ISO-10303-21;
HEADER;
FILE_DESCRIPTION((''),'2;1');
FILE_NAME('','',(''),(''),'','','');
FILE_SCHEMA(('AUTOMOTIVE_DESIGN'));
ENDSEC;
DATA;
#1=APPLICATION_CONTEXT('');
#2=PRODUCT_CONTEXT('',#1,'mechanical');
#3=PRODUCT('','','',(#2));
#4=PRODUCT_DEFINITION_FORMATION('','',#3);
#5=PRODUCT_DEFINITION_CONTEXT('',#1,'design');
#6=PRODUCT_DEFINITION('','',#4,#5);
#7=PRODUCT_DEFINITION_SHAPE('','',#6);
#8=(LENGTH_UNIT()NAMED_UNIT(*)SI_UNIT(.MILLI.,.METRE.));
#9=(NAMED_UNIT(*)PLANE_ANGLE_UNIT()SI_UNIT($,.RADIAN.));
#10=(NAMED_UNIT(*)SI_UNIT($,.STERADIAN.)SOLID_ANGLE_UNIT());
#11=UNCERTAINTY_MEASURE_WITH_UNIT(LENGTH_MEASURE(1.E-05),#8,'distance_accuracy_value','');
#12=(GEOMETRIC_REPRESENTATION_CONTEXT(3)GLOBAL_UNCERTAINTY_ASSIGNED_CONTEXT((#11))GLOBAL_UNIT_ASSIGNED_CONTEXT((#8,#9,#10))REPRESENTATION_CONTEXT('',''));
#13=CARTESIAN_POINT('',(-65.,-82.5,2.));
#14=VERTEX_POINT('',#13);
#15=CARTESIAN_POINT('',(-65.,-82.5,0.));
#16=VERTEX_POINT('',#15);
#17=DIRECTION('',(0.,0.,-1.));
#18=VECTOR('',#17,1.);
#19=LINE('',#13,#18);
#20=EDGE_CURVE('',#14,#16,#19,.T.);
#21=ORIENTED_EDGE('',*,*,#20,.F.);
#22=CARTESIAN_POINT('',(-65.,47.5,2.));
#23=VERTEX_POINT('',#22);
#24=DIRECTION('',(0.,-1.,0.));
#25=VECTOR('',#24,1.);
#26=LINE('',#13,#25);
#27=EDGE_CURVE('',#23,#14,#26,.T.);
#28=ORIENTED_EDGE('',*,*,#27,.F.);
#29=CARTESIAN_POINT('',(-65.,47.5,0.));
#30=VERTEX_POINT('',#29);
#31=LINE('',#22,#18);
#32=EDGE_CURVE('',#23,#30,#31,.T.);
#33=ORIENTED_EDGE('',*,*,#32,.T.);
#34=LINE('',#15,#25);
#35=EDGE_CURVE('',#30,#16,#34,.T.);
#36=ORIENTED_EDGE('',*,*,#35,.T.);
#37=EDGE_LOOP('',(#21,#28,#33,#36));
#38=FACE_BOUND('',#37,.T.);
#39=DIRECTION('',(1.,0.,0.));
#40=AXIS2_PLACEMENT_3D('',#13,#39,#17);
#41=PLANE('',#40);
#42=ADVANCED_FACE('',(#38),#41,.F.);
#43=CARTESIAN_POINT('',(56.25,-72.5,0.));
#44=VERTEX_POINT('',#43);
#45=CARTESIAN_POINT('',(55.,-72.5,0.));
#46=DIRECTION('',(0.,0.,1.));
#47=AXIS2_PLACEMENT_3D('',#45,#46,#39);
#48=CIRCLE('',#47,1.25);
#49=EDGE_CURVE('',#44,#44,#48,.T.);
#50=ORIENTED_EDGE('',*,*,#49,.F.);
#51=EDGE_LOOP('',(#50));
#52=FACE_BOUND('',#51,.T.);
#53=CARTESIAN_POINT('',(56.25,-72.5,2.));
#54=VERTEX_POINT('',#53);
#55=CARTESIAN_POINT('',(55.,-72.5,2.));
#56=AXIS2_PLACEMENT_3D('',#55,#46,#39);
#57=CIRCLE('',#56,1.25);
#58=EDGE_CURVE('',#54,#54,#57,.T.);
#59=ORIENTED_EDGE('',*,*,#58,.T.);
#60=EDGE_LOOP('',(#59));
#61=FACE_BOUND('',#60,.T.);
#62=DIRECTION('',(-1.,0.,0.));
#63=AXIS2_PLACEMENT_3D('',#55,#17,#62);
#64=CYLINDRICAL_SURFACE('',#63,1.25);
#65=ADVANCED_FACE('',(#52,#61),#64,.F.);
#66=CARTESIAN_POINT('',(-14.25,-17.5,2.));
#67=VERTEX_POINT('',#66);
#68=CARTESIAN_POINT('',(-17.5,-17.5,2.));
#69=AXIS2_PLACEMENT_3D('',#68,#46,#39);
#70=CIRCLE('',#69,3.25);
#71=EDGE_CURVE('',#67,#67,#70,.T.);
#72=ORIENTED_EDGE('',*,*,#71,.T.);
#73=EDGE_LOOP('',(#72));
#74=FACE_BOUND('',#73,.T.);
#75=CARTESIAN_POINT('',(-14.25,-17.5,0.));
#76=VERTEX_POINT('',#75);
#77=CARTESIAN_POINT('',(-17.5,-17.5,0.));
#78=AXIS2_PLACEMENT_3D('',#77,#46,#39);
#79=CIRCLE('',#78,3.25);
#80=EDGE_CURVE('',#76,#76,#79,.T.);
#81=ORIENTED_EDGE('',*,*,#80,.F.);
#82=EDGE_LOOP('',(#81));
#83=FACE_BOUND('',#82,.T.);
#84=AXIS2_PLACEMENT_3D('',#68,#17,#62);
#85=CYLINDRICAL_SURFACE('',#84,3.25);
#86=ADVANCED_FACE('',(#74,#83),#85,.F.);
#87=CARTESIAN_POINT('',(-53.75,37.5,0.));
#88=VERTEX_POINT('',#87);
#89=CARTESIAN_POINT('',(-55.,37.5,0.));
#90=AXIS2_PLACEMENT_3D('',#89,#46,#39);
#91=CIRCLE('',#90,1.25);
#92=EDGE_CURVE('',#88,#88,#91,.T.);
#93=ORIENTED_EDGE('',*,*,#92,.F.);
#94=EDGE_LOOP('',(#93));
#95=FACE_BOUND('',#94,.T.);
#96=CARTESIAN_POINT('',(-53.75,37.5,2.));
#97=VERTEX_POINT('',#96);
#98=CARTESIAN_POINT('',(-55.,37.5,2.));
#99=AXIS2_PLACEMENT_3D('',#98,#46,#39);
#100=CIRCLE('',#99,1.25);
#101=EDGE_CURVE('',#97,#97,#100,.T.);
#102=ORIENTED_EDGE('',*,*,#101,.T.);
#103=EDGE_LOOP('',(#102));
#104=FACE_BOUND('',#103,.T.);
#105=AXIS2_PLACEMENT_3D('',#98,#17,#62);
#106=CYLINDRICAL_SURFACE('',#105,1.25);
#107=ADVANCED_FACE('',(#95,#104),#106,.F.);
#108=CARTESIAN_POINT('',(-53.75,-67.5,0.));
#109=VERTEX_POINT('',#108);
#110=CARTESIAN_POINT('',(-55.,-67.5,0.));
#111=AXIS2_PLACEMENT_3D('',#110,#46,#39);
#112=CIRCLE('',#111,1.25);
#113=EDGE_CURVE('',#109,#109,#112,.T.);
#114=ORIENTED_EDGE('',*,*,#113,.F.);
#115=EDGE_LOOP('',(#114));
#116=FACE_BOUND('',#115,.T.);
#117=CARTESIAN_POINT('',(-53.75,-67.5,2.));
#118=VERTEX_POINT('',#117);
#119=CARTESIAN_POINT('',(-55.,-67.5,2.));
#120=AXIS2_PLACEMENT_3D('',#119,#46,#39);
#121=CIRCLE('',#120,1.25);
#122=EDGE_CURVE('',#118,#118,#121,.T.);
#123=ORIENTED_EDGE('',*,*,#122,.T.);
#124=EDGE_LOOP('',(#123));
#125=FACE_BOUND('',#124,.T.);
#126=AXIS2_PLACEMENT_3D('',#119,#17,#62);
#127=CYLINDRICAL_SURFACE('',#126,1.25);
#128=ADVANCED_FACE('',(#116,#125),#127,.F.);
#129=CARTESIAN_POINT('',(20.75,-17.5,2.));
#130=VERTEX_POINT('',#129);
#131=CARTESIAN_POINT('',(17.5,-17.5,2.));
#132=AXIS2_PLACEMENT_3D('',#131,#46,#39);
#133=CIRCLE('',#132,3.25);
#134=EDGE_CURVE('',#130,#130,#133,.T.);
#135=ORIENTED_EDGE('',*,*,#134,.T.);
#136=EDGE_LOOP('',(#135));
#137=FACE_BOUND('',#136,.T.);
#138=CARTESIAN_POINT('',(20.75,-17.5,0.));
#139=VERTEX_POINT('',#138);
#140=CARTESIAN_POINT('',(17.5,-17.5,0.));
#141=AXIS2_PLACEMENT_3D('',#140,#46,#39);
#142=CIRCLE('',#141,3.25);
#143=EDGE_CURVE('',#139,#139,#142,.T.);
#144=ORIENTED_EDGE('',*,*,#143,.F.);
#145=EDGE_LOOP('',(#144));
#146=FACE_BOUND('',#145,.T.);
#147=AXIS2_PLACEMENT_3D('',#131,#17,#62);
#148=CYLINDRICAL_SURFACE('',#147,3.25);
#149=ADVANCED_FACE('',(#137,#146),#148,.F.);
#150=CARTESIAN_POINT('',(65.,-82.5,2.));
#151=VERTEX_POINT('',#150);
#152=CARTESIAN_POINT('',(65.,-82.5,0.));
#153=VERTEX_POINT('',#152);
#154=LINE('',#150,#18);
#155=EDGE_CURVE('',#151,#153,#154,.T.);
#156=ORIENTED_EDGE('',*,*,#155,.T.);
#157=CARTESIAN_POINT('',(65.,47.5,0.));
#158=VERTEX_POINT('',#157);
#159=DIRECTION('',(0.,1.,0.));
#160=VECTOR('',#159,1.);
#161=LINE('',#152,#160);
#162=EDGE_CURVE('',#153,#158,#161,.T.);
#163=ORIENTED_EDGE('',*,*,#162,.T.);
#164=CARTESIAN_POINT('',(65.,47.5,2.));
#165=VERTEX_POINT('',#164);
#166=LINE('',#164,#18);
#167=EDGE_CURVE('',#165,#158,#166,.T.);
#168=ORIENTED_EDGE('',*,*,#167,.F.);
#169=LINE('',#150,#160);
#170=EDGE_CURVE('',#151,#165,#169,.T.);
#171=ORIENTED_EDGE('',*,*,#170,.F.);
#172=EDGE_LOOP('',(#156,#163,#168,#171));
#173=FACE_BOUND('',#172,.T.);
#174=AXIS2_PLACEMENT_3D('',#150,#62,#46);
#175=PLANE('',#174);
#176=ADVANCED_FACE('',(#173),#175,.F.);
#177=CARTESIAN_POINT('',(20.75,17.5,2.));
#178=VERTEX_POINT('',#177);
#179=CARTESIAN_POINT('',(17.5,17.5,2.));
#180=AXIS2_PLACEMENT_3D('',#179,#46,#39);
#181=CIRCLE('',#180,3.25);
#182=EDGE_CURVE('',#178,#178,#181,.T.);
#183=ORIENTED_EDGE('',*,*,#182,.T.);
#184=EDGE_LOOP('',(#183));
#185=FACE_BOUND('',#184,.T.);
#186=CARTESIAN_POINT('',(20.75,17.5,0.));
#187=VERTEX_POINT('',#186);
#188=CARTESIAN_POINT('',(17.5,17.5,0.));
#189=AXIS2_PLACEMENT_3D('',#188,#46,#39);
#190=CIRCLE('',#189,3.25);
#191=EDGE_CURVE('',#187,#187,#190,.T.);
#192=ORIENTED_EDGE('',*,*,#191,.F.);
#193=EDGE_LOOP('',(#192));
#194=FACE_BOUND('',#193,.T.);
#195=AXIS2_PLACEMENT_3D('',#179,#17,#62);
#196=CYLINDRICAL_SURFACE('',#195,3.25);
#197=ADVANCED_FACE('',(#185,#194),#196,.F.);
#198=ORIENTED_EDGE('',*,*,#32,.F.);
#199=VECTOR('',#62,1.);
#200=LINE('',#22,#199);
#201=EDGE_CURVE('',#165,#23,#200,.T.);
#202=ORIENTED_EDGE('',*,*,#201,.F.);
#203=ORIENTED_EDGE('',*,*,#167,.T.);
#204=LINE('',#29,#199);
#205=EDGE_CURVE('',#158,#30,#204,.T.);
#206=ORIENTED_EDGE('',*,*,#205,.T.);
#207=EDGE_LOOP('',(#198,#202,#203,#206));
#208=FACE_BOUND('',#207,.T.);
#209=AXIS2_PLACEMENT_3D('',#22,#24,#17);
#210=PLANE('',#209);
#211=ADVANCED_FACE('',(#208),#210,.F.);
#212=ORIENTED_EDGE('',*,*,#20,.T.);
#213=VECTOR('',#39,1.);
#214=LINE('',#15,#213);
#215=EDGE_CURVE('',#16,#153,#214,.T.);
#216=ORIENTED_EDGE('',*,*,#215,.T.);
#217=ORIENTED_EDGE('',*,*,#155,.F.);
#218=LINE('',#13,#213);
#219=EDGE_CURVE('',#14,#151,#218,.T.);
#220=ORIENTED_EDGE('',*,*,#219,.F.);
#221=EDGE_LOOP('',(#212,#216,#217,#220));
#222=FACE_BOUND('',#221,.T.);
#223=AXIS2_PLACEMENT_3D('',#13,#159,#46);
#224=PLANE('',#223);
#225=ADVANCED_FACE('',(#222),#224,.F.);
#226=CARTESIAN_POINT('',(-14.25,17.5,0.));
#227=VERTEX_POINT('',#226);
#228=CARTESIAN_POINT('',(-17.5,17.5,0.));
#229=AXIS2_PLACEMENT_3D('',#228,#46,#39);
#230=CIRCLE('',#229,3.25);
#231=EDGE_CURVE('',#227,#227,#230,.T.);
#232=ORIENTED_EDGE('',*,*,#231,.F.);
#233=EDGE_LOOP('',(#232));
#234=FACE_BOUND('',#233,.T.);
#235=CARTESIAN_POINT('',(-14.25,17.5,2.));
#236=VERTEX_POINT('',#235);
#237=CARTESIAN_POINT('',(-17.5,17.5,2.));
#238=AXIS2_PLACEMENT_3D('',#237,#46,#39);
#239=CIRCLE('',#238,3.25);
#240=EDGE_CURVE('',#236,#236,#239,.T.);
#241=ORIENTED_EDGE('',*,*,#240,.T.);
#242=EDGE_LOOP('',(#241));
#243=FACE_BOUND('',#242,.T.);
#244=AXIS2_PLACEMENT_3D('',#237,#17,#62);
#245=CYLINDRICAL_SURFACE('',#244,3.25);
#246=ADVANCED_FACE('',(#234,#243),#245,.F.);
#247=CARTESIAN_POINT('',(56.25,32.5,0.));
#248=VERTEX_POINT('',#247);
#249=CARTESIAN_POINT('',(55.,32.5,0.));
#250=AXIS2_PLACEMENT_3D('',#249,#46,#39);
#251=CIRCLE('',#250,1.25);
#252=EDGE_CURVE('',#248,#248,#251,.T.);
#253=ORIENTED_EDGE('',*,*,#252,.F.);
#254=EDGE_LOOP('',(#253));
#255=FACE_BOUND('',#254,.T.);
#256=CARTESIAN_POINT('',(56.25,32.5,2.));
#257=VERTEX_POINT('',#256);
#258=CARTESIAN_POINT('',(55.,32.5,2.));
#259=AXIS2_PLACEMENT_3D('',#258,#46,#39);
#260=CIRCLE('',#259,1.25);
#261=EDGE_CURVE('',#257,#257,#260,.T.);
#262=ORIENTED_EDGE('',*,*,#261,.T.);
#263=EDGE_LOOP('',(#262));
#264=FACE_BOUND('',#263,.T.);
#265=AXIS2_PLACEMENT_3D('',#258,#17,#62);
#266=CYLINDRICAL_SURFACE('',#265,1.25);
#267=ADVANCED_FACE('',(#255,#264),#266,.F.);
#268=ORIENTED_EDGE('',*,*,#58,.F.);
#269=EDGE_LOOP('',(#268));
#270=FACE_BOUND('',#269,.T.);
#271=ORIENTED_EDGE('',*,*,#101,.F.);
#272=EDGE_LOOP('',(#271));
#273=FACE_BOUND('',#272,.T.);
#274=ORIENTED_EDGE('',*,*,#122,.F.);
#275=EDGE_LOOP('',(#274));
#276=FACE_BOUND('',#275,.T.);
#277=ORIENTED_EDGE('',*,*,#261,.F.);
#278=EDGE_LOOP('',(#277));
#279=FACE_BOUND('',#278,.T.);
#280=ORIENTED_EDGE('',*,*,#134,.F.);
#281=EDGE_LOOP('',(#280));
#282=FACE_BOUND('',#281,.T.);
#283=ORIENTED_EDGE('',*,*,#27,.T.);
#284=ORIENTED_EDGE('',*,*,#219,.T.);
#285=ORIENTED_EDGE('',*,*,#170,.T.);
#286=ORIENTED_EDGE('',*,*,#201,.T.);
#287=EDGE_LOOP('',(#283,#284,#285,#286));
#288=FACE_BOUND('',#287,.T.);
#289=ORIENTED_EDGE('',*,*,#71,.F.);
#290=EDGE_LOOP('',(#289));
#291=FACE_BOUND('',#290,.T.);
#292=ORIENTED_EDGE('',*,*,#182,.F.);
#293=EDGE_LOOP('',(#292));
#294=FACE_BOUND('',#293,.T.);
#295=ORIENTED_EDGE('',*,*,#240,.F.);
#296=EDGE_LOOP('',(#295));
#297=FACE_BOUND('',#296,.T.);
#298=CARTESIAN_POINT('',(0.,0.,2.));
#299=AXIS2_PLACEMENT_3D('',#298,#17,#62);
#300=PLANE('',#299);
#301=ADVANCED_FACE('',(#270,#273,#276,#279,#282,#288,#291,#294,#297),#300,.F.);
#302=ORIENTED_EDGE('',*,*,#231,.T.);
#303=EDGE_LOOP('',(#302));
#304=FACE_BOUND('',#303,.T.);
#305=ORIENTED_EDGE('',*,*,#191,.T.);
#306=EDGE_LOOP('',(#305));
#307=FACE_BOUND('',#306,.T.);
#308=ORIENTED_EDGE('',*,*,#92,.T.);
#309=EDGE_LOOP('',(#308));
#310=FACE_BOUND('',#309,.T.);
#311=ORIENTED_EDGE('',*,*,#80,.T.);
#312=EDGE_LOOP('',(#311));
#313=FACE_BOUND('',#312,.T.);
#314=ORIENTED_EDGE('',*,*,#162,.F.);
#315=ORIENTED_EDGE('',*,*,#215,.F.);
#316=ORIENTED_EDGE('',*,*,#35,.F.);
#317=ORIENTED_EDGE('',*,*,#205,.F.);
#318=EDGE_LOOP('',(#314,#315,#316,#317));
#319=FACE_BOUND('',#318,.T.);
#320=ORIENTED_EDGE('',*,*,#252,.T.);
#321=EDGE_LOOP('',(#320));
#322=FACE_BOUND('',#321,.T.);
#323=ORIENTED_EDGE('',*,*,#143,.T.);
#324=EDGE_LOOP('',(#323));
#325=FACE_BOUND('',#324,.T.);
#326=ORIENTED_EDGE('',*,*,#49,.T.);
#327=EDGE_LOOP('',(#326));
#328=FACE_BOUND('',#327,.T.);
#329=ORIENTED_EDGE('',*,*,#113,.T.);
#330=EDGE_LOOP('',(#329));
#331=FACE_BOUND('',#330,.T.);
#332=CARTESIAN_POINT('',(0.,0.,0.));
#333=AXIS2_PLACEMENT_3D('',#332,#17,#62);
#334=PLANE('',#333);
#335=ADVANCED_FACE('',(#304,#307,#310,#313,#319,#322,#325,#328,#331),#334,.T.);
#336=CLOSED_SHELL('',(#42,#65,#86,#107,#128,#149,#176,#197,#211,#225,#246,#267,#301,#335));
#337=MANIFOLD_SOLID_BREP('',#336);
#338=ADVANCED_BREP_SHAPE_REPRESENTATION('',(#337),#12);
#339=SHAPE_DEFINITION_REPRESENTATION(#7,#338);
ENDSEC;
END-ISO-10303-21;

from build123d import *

# Parameters (mm, degrees)
SKETCH_1_W      = 130
SKETCH_1_H      = 130
SKETCH_1_R      = 1.25
SKETCH_1_R_2    = 3.25
EXTRUDE_1_DEPTH = 2


with BuildPart() as part:
    # Эскиз1 → Бобышка-Вытянуть1 (new body)
    with BuildSketch(Plane.XY):
        with Locations((0, -17.5)):
            Rectangle(SKETCH_1_W, SKETCH_1_H)
        with Locations((-55, 37.5)):
            Circle(SKETCH_1_R, mode=Mode.SUBTRACT)
        with Locations((55, 32.5)):
            Circle(SKETCH_1_R, mode=Mode.SUBTRACT)
        with Locations((55, -72.5)):
            Circle(SKETCH_1_R, mode=Mode.SUBTRACT)
        with Locations((-55, -67.5)):
            Circle(SKETCH_1_R, mode=Mode.SUBTRACT)
        with Locations((-17.5, 17.5)):
            Circle(SKETCH_1_R_2, mode=Mode.SUBTRACT)
        with Locations((17.5, 17.5)):
            Circle(SKETCH_1_R_2, mode=Mode.SUBTRACT)
        with Locations((-17.5, -17.5)):
            Circle(SKETCH_1_R_2, mode=Mode.SUBTRACT)
        with Locations((17.5, -17.5)):
            Circle(SKETCH_1_R_2, mode=Mode.SUBTRACT)
    extrude(amount=EXTRUDE_1_DEPTH)


solid = part.part
